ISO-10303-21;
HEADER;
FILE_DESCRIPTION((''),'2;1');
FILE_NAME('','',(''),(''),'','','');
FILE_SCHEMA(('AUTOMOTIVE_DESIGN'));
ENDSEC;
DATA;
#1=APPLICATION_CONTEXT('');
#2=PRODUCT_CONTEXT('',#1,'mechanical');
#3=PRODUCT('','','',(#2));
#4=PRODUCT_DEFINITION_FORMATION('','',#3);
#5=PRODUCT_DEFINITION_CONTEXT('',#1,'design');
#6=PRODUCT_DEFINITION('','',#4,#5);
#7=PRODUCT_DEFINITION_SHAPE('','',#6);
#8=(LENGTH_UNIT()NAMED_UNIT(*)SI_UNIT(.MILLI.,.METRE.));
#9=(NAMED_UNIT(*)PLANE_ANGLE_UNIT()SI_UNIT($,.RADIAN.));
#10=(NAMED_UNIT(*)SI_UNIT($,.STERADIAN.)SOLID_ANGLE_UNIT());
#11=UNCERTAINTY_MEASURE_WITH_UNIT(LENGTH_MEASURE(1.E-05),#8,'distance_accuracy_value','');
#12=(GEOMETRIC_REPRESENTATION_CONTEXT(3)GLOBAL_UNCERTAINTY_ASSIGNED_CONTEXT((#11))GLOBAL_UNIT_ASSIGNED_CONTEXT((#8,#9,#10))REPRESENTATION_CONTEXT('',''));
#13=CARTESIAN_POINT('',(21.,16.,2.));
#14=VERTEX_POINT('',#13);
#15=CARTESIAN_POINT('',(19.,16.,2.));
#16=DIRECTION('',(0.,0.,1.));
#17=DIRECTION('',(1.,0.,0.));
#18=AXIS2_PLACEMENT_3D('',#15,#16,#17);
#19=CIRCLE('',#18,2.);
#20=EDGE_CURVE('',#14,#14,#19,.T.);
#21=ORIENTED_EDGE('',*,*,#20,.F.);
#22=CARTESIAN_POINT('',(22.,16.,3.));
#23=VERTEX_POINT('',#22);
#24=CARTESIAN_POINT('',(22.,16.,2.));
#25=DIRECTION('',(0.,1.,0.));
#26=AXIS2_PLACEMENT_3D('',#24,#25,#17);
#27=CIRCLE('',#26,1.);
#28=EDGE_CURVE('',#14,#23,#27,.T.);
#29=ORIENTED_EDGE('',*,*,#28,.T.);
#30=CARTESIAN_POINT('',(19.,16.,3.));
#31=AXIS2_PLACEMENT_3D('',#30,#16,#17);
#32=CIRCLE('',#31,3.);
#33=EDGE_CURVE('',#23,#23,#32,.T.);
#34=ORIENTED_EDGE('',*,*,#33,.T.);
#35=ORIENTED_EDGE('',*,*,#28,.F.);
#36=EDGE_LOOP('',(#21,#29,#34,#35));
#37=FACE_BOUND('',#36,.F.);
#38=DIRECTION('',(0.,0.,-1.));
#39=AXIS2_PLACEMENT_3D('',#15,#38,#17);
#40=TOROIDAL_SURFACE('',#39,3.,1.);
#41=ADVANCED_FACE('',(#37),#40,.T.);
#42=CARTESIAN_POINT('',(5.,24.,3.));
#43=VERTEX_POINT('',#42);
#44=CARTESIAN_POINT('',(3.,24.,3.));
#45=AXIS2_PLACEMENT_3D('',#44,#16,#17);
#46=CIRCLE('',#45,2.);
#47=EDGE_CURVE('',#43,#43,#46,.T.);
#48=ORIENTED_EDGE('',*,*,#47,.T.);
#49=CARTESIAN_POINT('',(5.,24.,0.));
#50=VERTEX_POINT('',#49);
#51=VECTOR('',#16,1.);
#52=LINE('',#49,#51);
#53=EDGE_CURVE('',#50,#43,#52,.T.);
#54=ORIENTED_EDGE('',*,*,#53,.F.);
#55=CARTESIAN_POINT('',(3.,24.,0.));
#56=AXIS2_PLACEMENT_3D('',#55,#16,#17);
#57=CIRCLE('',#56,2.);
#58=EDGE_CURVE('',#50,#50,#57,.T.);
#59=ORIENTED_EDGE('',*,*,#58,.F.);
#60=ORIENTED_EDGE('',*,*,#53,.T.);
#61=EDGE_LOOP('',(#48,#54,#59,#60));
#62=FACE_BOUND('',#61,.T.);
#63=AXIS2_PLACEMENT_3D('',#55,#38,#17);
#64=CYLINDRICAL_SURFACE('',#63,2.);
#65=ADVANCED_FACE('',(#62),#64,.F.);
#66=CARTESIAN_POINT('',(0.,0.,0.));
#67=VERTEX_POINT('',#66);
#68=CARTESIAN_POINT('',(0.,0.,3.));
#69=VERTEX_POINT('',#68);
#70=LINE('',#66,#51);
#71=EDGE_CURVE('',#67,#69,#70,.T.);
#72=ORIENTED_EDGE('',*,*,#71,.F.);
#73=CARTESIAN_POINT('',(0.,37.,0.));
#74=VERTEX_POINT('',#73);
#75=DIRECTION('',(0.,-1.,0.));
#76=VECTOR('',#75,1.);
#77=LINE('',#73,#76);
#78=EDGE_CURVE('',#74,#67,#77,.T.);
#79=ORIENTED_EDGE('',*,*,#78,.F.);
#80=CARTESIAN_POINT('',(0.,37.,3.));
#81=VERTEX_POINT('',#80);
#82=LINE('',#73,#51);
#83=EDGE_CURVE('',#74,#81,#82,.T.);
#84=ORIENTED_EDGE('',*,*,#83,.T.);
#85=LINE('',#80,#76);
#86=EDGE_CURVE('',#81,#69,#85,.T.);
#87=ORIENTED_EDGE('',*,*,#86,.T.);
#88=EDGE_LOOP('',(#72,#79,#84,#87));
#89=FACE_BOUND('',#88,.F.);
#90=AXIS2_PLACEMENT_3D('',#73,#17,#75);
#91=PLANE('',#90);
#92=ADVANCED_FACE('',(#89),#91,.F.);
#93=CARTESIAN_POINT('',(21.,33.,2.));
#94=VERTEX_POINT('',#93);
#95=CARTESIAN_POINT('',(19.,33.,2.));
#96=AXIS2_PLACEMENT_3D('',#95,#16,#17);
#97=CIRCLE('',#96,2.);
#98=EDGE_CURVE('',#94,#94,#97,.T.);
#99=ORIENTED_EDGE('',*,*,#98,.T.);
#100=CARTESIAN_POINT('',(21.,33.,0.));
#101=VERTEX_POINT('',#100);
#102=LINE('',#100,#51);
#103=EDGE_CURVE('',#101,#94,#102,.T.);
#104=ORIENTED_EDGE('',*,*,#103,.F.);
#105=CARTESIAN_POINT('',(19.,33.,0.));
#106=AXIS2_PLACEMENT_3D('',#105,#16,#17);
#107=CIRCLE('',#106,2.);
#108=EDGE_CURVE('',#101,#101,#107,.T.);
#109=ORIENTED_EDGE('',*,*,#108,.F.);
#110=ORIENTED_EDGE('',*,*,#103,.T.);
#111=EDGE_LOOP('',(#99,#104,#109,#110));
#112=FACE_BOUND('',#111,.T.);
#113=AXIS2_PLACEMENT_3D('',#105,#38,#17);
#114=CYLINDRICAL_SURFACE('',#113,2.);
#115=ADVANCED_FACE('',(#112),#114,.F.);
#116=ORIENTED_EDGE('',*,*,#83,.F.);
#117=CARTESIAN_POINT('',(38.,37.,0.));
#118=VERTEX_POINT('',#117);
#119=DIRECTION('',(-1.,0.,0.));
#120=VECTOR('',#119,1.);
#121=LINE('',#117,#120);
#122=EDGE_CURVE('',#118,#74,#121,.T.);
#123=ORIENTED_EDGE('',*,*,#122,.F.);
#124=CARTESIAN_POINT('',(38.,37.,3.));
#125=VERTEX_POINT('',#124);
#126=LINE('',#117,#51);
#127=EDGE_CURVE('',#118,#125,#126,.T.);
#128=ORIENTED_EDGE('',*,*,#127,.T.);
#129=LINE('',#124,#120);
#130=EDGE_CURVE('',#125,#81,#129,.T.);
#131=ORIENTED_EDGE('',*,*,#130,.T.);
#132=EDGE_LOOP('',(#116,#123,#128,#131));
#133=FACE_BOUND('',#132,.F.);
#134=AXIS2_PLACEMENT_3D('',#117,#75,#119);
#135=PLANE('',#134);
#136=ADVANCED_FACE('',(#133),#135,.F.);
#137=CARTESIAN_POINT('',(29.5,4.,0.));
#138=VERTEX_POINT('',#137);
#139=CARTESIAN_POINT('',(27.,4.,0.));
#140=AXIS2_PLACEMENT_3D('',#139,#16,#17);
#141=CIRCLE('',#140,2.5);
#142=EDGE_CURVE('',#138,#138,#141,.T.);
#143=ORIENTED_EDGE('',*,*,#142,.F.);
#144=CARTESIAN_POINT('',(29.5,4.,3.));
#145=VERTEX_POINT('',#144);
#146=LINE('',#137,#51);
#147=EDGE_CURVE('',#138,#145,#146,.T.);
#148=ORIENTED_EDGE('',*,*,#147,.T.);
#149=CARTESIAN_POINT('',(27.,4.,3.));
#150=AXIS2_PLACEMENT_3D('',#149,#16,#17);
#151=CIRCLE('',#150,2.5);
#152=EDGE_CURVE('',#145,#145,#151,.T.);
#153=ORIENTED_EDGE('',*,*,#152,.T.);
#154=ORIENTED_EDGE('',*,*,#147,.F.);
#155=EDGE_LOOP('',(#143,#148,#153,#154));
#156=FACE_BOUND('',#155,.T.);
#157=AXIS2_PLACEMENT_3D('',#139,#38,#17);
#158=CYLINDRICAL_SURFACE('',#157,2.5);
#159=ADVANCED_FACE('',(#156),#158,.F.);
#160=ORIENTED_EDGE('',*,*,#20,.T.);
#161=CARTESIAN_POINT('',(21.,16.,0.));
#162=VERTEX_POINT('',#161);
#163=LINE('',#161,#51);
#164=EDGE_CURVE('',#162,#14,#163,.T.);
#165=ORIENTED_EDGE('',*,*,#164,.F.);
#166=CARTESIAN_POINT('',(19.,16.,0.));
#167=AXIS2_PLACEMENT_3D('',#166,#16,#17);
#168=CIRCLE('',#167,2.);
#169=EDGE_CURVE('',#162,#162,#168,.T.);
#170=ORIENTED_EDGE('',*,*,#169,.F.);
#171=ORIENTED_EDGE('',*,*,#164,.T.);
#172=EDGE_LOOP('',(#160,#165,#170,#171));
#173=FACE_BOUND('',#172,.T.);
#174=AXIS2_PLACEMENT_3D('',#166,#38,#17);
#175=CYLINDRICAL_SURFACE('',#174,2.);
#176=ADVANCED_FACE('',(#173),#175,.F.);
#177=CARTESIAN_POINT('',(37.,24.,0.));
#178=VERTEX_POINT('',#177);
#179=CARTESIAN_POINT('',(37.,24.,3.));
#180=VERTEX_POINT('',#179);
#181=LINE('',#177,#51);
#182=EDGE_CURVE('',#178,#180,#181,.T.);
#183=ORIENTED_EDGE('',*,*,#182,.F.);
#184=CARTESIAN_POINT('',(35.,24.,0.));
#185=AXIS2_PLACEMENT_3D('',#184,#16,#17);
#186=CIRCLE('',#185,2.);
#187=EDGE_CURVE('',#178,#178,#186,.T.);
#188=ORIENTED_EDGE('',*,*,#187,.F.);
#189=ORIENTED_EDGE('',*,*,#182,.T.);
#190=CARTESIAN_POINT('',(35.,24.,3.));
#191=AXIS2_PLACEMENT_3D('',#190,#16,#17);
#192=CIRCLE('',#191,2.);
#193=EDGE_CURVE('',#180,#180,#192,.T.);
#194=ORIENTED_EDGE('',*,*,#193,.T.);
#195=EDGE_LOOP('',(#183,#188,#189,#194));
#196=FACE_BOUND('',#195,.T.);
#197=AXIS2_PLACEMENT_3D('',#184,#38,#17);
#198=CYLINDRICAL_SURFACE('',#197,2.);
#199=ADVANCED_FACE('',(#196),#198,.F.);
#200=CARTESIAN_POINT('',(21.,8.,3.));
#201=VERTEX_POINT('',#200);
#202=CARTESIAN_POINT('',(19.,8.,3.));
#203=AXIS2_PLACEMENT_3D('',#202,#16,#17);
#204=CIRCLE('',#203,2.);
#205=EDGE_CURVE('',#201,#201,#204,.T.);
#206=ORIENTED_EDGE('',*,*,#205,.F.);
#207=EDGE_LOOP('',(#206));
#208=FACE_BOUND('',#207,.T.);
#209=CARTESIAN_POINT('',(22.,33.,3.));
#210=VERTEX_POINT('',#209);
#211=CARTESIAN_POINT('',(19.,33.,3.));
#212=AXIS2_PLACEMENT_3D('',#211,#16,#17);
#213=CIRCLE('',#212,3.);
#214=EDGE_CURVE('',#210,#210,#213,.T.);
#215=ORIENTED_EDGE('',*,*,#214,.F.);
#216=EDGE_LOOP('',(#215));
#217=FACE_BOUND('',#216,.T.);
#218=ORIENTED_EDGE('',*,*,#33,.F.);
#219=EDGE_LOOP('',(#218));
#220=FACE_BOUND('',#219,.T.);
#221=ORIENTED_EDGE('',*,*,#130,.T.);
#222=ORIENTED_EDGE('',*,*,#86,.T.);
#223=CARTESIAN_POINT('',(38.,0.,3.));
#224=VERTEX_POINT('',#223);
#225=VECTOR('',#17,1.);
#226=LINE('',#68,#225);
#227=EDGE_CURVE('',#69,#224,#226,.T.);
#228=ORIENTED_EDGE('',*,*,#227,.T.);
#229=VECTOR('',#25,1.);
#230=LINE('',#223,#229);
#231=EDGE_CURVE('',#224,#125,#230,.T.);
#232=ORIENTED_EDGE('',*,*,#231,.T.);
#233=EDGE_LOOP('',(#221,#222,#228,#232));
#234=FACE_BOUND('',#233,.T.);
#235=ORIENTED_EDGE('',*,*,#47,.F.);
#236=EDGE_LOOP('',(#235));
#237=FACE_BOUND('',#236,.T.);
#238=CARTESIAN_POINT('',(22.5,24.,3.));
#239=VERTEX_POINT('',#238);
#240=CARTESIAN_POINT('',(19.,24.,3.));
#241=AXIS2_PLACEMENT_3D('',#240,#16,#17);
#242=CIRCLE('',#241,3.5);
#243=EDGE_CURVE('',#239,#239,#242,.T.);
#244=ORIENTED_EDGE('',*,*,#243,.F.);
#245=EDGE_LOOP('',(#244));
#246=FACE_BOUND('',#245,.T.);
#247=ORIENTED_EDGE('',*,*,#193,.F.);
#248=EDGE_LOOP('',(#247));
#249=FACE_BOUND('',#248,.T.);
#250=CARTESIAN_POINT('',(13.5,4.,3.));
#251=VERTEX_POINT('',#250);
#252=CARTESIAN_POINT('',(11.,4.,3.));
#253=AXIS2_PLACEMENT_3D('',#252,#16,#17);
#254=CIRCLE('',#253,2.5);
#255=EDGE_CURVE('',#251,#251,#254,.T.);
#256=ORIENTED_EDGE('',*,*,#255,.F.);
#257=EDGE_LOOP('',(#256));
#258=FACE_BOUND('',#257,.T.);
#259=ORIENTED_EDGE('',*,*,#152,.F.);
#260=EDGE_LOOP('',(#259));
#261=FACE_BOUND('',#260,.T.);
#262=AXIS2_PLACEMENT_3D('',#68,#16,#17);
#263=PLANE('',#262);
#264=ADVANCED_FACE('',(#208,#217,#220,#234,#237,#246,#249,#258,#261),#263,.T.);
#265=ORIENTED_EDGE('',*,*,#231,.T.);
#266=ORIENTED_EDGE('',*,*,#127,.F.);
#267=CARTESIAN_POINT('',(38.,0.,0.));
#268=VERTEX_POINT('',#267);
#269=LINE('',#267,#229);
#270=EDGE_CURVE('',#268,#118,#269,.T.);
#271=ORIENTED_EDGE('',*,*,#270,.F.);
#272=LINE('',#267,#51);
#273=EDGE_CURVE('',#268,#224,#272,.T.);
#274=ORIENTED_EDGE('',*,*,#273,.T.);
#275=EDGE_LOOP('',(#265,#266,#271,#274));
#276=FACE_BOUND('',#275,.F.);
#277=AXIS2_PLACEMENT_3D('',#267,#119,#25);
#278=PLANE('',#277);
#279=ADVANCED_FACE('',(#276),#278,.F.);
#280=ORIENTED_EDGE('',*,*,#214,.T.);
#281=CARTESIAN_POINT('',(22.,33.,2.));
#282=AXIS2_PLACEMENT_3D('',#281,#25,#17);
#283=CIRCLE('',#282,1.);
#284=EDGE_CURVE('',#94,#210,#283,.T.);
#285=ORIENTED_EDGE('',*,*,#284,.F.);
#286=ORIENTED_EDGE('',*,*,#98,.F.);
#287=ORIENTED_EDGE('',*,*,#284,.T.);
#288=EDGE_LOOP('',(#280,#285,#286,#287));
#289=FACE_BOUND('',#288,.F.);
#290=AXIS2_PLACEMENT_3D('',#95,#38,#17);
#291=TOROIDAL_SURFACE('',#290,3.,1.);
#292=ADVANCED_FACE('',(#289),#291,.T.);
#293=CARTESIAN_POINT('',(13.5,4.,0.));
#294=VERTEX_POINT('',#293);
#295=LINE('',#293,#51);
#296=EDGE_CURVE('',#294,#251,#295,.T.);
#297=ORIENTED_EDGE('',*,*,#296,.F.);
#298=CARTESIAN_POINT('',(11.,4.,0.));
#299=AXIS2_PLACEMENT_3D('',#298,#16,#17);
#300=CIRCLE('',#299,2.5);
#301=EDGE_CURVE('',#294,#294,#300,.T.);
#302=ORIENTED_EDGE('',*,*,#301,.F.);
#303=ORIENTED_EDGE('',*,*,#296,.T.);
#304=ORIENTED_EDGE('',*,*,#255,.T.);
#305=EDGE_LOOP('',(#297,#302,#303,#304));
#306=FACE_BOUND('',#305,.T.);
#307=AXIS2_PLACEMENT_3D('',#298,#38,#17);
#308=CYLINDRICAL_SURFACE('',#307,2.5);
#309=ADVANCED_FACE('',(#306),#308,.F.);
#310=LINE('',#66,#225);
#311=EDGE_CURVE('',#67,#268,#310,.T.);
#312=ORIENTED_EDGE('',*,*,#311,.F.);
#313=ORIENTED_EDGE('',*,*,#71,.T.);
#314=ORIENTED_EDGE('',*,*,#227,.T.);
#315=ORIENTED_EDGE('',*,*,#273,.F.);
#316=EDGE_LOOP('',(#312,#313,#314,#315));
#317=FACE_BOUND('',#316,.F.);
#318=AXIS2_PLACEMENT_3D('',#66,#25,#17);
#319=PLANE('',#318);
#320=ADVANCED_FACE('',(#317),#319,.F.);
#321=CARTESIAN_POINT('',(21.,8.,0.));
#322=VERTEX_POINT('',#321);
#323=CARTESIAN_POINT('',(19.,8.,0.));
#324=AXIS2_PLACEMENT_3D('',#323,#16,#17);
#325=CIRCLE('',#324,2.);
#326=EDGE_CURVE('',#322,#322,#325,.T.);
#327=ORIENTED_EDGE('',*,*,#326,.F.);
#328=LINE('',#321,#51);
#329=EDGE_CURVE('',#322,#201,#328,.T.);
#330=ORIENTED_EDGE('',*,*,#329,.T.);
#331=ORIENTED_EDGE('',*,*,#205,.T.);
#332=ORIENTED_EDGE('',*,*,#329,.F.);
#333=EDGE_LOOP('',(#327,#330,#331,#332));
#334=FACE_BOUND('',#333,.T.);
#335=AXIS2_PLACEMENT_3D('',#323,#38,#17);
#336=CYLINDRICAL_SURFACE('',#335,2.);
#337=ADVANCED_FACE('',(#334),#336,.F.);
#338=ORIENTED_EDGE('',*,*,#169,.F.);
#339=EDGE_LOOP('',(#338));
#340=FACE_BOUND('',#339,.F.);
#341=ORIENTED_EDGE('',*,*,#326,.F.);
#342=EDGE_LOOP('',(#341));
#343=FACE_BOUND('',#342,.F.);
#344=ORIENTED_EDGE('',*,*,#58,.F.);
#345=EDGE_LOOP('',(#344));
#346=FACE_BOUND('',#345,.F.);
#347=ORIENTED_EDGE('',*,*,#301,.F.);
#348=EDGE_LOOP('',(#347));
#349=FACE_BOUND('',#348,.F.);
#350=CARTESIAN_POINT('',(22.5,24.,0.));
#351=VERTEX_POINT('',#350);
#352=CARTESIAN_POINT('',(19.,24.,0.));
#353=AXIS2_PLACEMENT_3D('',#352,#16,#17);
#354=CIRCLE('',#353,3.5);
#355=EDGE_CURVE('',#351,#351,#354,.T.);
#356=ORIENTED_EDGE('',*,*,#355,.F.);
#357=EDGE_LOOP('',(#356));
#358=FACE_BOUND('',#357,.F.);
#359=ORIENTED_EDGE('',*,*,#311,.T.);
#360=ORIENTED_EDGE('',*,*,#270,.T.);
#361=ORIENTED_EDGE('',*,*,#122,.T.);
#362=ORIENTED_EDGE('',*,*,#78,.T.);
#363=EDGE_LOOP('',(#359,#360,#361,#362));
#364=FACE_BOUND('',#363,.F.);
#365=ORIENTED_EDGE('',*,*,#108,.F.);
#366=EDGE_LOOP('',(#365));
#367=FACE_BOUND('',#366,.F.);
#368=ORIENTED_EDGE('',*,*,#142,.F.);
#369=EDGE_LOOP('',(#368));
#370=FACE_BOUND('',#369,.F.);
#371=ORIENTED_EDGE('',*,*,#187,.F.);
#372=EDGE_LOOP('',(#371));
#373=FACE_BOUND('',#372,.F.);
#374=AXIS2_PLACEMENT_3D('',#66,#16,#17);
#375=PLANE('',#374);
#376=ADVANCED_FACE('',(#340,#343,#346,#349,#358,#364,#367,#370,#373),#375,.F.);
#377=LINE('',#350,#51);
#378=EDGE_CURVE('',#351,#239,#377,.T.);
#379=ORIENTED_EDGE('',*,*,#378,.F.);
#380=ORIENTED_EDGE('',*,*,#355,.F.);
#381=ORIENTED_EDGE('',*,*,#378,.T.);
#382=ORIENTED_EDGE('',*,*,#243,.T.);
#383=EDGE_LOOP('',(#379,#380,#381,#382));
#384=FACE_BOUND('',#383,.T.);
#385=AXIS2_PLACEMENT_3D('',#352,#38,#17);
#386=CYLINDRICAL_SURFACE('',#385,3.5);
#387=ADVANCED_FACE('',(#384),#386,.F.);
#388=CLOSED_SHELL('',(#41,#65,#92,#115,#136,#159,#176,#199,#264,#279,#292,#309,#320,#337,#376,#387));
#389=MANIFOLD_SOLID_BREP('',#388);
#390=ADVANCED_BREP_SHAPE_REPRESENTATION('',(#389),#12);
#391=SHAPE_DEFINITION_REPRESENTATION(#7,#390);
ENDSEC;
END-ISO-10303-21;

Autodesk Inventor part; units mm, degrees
ref_plane "YZ Plane" through (0, 0, 0) normal (1, 0, 0) x (0, 1, 0)
ref_plane "XZ Plane" through (0, 0, 0) normal (0, 1, 0) x (-1, 0, 0)
ref_plane "XY Plane" through (0, 0, 0) normal (0, 0, 1) x (1, 0, 0)
sketch "Sketch1" plane through (0, 0, 0) normal (0, 0, 1) x (1, 0, 0)
  line L0 (0, 0) -> (38, 0)
  line L1 (38, 0) -> (38, 37)
  line L2 (38, 37) -> (0, 37)
  line L3 (0, 37) -> (0, 0)
  line L4 (19, 37) -> (19, 0) construction
  circle A0 centre (11, 4) radius 2.5
  circle A1 centre (27, 4) radius 2.5
  circle A2 centre (19, 8) radius 2
  circle A3 centre (19, 16) radius 2
  circle A4 centre (19, 24) radius 3.5
  circle A5 centre (19, 33) radius 2
  circle A6 centre (3, 24) radius 2
  circle A7 centre (35, 24) radius 2
  dimension "d0" = 38
  dimension "d1" = 37
  dimension "d2" = 5
  dimension "d3" = 8
  dimension "d4" = 4
  dimension "d5" = 5
  dimension "d6" = 8
  dimension "d7" = 4
  dimension "d8" = 4
  dimension "d9" = 8
  dimension "d10" = 4
  dimension "d11" = 16
  dimension "d12" = 7
  dimension "d13" = 24
  dimension "d14" = 4
  dimension "d15" = 17
  dimension "d18" = 4
  dimension "d19" = 4
  dimension "d20" = 32
  dimension "d21" = 3
  dimension "d22" = 13
  dimension "d23" = 13
extrude "Extrusion1" add sketch "Sketch1" along normal blind 3
thread "Thread1" size "M4x0.7" class "6H" standard "ISO Metric profile" full length
thread "Thread2" size "M4x0.7" class "6H" standard "ISO Metric profile" full length
thread "Thread3" size "M4x0.7" class "6H" standard "ISO Metric profile" full length
thread "Thread4" size "M4x0.7" class "6H" standard "ISO Metric profile" full length
thread "Thread5" size "M4x0.7" class "6H" standard "ISO Metric profile" full length
fillet "Fillet1" radius 1 2 edges at (17, 33, 3) (17, 16, 3)
properties part number "DC Motor-25 Bracket B-Blue" material "Aluminum 6061"
